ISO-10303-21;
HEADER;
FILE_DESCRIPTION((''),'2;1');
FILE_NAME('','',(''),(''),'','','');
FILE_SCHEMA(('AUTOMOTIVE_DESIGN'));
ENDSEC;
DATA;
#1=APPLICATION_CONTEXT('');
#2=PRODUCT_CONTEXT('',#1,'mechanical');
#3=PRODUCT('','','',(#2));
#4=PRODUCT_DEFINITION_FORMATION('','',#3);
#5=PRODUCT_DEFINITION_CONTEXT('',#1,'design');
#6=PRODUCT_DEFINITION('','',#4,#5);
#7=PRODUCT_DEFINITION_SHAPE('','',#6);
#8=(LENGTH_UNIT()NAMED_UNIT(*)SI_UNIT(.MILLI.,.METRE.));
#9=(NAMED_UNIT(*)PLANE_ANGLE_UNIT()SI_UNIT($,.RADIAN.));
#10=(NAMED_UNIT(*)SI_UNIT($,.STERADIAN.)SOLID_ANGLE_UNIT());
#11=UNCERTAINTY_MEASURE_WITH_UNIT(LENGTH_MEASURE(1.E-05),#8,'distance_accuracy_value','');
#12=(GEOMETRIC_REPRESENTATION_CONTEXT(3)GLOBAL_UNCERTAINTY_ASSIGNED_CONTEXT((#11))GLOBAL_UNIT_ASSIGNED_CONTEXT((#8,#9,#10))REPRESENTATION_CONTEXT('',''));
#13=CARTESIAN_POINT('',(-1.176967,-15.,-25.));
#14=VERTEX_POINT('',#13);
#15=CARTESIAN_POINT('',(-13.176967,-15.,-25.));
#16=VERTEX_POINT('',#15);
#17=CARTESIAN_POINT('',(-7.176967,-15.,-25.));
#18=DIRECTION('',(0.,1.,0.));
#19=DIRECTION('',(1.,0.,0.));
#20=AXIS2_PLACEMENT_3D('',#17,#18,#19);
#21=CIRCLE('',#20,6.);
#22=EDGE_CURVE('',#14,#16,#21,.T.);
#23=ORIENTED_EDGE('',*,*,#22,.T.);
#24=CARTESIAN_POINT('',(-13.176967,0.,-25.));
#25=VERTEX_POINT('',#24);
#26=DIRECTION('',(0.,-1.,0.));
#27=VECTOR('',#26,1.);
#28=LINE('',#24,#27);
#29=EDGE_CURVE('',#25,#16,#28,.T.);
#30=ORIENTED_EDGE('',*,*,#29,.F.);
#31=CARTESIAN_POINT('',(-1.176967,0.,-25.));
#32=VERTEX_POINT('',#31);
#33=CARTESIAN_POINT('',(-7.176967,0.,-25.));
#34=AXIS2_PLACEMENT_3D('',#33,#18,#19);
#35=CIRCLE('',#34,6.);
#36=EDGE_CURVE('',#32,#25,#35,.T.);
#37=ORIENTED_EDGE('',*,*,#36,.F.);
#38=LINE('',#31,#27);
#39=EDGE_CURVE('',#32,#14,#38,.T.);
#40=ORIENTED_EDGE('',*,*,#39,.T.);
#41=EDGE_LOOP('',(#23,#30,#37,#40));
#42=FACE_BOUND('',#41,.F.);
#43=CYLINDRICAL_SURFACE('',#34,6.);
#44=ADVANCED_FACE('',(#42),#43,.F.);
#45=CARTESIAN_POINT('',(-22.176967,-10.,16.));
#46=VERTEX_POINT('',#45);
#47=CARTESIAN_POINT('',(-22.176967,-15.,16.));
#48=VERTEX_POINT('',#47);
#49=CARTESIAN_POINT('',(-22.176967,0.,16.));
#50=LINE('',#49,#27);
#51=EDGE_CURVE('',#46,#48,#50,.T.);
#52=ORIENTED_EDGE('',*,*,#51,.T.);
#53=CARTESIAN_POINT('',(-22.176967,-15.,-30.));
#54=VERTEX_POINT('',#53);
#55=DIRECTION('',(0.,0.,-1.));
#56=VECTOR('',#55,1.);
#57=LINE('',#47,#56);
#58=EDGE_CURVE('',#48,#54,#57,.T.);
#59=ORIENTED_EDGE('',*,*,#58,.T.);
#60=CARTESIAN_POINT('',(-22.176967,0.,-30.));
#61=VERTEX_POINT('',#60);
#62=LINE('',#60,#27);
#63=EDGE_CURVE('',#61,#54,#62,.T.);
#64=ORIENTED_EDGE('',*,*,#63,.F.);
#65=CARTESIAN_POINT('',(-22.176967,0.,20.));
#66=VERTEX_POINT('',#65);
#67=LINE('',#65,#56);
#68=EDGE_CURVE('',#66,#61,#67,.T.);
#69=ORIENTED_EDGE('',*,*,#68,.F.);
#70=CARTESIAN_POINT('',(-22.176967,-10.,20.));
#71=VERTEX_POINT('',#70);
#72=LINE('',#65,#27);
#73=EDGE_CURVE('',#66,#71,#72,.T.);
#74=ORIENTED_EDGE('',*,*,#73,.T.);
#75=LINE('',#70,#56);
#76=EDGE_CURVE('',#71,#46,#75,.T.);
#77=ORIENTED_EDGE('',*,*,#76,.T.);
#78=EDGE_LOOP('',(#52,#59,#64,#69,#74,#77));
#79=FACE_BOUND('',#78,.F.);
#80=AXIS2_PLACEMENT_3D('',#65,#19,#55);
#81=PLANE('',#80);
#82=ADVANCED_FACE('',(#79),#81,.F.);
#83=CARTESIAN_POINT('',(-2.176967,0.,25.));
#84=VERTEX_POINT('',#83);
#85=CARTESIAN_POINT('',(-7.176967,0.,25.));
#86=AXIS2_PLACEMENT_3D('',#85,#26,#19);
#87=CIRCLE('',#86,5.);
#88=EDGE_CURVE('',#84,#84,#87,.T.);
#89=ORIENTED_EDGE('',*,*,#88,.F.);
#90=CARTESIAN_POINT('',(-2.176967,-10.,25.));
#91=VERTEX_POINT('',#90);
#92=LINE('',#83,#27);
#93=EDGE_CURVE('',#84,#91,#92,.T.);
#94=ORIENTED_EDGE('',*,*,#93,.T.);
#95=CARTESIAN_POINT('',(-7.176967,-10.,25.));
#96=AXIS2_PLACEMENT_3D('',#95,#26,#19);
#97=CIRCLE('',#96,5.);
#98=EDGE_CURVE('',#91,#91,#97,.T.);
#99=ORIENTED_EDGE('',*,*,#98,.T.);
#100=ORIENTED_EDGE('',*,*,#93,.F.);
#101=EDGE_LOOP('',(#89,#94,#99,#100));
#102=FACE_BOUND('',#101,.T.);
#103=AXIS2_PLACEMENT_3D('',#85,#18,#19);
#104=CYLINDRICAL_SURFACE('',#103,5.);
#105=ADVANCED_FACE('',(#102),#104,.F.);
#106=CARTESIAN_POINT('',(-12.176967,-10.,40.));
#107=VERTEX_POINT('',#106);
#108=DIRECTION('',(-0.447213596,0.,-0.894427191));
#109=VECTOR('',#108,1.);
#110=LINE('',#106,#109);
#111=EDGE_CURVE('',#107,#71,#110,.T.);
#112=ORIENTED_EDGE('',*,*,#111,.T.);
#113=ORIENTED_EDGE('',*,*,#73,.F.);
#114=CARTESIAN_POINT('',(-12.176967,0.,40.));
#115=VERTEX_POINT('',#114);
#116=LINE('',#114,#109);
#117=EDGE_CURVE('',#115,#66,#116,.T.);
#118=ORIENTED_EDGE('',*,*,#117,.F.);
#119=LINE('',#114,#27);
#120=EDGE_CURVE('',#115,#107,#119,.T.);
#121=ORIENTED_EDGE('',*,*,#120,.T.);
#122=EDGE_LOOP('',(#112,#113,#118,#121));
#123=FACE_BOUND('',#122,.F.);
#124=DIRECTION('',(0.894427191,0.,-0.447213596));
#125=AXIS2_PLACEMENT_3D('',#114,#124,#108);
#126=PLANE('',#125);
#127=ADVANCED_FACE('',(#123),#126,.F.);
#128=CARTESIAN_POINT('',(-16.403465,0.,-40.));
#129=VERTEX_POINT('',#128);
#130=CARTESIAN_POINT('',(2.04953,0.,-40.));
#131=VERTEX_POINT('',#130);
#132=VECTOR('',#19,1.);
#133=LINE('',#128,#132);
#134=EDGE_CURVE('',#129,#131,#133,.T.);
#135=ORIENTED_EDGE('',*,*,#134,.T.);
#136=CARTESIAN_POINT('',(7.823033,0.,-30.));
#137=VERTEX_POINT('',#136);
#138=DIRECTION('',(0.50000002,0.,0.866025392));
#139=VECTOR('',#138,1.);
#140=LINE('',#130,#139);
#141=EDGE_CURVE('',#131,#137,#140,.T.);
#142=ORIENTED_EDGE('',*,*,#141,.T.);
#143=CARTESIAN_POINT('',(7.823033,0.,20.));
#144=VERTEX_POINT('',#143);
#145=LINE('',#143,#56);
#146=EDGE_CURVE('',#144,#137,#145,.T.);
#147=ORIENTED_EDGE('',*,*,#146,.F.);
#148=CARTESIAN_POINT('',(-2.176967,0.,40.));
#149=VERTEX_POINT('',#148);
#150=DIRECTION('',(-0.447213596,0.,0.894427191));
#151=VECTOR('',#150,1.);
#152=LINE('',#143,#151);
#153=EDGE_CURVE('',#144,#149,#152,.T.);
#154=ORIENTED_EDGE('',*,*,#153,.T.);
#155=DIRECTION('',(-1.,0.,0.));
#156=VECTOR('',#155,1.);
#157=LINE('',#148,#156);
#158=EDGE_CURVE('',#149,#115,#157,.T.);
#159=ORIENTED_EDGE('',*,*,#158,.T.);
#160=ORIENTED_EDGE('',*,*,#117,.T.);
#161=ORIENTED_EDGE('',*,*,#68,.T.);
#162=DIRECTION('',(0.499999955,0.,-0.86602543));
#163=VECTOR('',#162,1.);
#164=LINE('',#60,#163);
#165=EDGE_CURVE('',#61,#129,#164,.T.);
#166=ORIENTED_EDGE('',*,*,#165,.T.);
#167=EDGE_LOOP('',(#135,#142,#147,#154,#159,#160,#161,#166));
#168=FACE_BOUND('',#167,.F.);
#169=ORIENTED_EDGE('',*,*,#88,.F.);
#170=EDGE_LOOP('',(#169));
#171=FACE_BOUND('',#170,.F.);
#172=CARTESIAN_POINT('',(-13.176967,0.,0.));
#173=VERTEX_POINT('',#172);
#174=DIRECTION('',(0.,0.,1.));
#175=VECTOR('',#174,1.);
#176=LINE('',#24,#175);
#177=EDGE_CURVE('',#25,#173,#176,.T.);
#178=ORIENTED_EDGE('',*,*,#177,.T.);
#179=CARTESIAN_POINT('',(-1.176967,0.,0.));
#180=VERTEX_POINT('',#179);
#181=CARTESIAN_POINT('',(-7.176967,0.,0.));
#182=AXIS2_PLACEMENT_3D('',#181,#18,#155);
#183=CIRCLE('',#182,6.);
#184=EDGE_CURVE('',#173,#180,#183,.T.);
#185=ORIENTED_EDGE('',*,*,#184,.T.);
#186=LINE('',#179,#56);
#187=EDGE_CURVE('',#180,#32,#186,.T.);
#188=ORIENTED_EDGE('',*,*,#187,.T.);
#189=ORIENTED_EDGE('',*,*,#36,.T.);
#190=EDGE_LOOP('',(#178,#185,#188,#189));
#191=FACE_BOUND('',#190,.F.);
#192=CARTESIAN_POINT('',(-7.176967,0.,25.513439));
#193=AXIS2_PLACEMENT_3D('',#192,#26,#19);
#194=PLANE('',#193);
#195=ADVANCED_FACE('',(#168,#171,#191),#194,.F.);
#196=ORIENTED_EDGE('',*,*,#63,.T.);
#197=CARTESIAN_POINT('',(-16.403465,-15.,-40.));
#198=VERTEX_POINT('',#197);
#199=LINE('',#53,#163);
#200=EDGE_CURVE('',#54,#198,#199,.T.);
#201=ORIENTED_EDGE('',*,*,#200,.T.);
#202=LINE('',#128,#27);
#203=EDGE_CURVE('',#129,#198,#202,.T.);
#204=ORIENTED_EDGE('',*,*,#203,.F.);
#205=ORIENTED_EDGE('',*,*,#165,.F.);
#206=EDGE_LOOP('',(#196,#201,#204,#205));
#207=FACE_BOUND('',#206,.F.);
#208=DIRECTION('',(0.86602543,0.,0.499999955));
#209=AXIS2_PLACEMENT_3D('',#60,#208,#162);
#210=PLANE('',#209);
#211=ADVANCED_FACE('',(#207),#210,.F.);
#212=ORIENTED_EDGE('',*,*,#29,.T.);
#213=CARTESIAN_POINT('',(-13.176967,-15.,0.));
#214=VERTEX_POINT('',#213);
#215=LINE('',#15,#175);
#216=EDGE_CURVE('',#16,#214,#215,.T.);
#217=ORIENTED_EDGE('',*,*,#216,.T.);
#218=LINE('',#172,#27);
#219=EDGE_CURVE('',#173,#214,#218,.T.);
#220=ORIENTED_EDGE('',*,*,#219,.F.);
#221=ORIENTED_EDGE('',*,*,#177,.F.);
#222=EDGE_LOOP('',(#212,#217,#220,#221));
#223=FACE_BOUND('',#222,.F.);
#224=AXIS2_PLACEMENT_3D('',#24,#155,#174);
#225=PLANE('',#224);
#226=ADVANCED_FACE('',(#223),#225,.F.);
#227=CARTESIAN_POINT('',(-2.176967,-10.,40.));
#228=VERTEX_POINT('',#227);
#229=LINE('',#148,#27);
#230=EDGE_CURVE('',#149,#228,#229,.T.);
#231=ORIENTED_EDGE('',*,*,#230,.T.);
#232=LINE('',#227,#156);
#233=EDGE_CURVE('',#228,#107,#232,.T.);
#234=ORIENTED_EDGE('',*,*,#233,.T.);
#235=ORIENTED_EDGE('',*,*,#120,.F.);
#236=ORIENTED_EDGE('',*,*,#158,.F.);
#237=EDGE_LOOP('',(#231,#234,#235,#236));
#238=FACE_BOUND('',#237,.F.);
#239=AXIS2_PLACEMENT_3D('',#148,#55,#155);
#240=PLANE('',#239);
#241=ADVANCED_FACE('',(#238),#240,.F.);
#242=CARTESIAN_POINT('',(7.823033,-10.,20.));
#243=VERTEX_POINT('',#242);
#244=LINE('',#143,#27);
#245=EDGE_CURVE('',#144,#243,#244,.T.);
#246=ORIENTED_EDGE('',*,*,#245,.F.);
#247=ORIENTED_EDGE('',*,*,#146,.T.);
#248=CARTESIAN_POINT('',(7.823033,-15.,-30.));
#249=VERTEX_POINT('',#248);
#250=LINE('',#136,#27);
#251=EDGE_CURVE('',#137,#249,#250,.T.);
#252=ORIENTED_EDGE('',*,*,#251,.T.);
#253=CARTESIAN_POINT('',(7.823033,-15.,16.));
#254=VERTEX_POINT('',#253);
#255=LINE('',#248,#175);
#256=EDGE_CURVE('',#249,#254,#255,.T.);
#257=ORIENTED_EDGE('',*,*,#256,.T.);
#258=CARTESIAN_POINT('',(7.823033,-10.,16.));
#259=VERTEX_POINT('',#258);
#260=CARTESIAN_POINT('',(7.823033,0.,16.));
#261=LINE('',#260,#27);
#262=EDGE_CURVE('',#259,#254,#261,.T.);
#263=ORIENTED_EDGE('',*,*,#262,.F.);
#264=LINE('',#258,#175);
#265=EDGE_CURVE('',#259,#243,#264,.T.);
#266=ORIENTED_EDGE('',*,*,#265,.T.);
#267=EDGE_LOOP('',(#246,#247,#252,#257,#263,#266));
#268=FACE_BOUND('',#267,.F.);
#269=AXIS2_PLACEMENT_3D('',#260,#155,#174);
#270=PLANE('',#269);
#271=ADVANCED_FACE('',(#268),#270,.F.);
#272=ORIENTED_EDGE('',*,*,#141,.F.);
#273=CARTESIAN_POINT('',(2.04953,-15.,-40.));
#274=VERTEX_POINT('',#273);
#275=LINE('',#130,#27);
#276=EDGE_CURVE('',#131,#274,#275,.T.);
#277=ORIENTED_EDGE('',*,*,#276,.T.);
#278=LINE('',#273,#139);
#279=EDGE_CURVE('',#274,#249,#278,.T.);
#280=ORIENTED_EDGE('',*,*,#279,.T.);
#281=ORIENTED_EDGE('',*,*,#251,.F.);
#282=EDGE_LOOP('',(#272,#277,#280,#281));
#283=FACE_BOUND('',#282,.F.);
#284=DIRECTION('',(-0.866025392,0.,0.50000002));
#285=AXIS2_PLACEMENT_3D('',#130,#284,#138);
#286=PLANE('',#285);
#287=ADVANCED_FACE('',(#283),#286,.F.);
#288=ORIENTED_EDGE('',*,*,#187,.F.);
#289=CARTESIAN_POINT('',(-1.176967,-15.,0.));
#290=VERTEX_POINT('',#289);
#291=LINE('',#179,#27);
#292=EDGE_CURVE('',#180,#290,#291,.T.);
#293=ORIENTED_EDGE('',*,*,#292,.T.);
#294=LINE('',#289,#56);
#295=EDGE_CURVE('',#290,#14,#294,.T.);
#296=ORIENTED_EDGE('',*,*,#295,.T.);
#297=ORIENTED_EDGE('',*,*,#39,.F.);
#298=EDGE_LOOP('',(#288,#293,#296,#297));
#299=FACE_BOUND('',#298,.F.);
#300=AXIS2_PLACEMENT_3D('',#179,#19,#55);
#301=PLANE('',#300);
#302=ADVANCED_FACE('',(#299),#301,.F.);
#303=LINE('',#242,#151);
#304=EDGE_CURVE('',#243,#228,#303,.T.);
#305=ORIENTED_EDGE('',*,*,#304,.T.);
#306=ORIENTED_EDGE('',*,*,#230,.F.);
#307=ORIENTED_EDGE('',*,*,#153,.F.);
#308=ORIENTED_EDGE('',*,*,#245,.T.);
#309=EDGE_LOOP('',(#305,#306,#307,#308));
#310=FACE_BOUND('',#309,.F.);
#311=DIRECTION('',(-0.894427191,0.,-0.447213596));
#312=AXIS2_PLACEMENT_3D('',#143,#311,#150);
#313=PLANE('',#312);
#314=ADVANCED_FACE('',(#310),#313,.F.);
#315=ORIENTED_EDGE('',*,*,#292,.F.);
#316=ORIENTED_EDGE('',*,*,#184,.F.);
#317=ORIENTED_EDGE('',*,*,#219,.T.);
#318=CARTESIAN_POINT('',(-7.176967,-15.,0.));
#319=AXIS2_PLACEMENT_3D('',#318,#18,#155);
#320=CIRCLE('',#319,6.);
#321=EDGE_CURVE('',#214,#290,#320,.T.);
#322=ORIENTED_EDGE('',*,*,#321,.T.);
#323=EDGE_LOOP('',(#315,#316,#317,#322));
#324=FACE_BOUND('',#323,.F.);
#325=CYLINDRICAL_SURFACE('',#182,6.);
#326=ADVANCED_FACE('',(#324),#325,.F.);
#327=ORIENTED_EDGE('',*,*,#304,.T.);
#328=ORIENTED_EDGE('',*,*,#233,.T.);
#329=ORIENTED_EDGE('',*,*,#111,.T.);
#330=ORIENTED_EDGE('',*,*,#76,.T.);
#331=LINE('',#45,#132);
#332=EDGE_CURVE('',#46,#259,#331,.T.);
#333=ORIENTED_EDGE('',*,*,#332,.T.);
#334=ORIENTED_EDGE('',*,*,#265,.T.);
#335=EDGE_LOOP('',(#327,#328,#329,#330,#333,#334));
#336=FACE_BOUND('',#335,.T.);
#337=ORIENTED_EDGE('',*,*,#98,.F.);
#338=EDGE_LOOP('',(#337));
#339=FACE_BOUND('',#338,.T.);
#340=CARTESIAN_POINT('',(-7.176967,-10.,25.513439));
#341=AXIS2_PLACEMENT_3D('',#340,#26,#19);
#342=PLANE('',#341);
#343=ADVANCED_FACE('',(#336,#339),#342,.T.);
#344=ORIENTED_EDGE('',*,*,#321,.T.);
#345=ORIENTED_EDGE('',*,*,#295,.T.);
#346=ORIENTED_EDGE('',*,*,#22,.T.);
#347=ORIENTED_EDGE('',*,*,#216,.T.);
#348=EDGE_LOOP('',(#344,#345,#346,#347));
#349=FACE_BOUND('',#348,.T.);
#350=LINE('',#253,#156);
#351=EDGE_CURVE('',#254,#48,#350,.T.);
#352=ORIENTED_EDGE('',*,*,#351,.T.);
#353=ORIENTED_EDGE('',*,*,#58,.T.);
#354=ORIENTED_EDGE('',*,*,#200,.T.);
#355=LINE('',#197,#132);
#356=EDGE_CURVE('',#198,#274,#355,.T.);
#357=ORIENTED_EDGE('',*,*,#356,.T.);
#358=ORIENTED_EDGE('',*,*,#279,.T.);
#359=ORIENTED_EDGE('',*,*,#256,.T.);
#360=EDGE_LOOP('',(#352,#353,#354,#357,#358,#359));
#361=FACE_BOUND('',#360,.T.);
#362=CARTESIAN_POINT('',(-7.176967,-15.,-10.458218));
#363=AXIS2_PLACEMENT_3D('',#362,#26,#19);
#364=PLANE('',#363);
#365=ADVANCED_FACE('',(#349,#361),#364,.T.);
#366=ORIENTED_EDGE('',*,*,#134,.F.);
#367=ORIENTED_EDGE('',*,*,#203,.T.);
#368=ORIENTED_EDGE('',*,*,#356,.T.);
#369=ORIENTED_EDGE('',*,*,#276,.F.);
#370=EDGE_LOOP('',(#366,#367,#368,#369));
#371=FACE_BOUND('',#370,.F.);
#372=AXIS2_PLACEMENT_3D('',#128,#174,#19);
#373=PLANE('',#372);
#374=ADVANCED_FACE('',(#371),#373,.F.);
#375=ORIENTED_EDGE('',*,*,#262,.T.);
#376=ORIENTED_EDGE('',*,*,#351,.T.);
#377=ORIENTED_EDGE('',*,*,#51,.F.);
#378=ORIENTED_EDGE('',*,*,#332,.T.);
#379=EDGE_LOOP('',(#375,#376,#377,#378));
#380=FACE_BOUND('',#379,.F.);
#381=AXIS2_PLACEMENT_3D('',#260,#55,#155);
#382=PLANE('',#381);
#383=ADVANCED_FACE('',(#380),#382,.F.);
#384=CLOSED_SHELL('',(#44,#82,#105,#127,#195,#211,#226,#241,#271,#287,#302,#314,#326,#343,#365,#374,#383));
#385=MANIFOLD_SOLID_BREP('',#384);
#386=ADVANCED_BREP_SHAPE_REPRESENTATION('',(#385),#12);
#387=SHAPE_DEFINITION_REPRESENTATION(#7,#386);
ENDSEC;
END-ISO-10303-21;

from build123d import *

# Parameters (mm, degrees)
F1_DEPTH = 15
F0_R     = 5
F2_DEPTH = 10


with BuildPart() as f1:
    # F0 (on Front) → F1 (new body)
    with BuildSketch(Plane.XZ):
        Polygon((7.823033, 16), (-22.176967, 16), (-22.176967, -30), (-16.403465, -40), (2.04953, -40), (7.823033, -30), align=None)
        with BuildLine():
            ThreePointArc((-1.176967, -25), (-7.176967, -31), (-13.176967, -25))
            Line((-13.176967, -25), (-13.176967, 0))
            ThreePointArc((-13.176967, 0), (-7.176967, 6), (-1.176967, 0))
            Line((-1.176967, 0), (-1.176967, -25))
        make_face(mode=Mode.SUBTRACT)
    extrude(amount=F1_DEPTH)

    # F0 (on Front) → F2 (join)
    with BuildSketch(Plane.XZ):
        Polygon((-22.176967, 20), (-22.176967, 16), (7.823033, 16), (7.823033, 20), (-2.176967, 40), (-12.176967, 40), align=None)
        with Locations((-7.176967, 25)):
            Circle(F0_R, mode=Mode.SUBTRACT)
    extrude(amount=F2_DEPTH)


solid = f1.part
